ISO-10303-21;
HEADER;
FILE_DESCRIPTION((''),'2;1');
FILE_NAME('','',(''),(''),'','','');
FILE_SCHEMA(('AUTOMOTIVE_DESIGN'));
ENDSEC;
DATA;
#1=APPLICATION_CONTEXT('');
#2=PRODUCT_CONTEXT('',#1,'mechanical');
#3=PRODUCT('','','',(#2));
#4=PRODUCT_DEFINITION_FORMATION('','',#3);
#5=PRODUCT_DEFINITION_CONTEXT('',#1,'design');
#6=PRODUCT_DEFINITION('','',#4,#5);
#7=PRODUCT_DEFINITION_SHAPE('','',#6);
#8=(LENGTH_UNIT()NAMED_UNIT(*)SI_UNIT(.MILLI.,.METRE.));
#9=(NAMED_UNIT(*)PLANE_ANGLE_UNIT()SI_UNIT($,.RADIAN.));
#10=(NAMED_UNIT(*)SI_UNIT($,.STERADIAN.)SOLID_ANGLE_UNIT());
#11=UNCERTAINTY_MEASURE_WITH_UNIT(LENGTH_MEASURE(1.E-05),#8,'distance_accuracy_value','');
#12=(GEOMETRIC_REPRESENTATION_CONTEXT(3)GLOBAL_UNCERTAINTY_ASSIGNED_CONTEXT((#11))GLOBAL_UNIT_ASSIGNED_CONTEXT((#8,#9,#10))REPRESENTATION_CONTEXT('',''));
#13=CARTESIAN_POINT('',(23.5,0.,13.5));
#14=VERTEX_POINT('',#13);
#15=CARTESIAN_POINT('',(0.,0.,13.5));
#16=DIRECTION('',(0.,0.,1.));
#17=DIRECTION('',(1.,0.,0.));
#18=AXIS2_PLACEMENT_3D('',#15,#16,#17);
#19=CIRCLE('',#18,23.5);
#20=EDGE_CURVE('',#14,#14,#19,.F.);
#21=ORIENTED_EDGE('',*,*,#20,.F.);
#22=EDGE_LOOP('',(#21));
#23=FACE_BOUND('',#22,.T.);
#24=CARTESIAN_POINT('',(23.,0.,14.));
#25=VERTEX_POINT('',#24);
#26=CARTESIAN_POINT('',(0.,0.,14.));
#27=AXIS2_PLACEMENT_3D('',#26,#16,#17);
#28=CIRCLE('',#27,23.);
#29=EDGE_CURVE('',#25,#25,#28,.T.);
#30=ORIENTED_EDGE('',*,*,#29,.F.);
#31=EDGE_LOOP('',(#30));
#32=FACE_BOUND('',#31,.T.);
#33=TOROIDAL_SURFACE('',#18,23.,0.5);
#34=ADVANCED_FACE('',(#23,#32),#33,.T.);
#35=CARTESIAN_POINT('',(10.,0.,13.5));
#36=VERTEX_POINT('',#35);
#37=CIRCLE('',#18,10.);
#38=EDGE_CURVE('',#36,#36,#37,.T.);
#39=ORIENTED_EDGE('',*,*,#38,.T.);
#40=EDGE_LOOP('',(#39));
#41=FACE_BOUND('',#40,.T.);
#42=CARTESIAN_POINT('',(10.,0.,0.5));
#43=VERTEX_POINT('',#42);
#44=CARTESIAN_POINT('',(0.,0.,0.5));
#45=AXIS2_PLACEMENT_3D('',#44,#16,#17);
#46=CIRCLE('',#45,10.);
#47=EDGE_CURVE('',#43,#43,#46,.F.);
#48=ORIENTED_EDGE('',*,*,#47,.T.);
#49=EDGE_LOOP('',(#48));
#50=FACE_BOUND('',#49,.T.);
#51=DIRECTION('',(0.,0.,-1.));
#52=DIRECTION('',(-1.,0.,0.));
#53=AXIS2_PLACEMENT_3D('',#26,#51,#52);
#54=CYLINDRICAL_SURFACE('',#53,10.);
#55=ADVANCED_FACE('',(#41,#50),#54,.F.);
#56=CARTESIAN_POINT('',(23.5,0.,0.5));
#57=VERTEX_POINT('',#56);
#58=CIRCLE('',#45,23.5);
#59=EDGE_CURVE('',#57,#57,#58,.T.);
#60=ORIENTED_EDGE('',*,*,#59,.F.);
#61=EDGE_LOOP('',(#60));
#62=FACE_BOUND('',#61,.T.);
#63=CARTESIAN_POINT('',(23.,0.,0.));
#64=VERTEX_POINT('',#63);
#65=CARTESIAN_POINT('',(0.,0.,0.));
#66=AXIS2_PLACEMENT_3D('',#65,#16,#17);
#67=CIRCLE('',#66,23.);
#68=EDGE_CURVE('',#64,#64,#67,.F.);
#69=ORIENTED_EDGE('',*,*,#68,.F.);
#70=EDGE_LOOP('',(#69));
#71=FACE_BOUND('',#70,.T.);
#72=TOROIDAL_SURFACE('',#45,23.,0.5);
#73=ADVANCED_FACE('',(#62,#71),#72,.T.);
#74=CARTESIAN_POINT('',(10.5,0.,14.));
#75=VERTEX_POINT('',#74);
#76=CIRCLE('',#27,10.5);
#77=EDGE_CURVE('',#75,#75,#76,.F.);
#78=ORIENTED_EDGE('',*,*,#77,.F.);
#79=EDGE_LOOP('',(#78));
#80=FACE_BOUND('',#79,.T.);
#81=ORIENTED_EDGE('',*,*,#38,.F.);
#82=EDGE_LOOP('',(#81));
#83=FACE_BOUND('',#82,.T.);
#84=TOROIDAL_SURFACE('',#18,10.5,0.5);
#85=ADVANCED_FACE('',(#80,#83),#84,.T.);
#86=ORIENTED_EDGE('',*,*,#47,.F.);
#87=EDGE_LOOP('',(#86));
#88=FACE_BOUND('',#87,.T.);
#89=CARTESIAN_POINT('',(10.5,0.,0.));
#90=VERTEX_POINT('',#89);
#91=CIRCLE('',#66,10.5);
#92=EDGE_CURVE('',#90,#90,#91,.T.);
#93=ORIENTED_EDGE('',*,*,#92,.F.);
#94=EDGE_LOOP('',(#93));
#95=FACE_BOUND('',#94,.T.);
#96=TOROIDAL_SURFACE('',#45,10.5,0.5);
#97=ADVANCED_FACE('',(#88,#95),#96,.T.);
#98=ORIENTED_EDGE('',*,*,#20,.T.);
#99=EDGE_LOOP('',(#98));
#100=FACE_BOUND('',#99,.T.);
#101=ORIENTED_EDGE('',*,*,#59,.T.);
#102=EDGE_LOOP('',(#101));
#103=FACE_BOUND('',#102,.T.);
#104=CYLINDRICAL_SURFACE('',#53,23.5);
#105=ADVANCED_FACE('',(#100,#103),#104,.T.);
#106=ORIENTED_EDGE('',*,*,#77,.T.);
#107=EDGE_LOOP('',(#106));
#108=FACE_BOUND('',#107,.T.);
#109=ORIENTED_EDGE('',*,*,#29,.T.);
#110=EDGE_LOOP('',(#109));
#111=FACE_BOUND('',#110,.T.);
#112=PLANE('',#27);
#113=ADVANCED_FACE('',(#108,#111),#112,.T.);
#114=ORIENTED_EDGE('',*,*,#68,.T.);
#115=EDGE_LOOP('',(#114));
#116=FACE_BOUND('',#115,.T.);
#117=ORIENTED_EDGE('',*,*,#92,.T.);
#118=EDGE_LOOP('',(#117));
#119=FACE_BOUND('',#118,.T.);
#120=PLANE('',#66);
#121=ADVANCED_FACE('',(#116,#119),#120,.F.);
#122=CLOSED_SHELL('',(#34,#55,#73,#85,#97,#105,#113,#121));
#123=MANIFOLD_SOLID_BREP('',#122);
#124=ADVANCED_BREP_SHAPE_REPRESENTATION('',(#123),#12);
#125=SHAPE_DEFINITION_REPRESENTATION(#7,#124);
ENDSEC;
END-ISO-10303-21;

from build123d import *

# Parameters (mm, degrees)
SKETCH_1_R      = 23.5
SKETCH_1_R_2    = 10
EXTRUDE_1_DEPTH = 14
FILLET_1_R      = 0.5


with BuildPart() as part:
    # 草图1 → 拉伸1 (new body)
    with BuildSketch(Plane.XY):
        Circle(SKETCH_1_R)
        Circle(SKETCH_1_R_2, mode=Mode.SUBTRACT)
    extrude(amount=EXTRUDE_1_DEPTH)

    # 圆角1
    fillet_1_edges = [part.edges().sort_by_distance(p)[0] for p in [
        (-23.5, 0, 0),
        (-23.5, 0, 14),
        (-10, 0, 0),
        (-10, 0, 14),
    ]]
    fillet(fillet_1_edges, radius=FILLET_1_R)


solid = part.part
